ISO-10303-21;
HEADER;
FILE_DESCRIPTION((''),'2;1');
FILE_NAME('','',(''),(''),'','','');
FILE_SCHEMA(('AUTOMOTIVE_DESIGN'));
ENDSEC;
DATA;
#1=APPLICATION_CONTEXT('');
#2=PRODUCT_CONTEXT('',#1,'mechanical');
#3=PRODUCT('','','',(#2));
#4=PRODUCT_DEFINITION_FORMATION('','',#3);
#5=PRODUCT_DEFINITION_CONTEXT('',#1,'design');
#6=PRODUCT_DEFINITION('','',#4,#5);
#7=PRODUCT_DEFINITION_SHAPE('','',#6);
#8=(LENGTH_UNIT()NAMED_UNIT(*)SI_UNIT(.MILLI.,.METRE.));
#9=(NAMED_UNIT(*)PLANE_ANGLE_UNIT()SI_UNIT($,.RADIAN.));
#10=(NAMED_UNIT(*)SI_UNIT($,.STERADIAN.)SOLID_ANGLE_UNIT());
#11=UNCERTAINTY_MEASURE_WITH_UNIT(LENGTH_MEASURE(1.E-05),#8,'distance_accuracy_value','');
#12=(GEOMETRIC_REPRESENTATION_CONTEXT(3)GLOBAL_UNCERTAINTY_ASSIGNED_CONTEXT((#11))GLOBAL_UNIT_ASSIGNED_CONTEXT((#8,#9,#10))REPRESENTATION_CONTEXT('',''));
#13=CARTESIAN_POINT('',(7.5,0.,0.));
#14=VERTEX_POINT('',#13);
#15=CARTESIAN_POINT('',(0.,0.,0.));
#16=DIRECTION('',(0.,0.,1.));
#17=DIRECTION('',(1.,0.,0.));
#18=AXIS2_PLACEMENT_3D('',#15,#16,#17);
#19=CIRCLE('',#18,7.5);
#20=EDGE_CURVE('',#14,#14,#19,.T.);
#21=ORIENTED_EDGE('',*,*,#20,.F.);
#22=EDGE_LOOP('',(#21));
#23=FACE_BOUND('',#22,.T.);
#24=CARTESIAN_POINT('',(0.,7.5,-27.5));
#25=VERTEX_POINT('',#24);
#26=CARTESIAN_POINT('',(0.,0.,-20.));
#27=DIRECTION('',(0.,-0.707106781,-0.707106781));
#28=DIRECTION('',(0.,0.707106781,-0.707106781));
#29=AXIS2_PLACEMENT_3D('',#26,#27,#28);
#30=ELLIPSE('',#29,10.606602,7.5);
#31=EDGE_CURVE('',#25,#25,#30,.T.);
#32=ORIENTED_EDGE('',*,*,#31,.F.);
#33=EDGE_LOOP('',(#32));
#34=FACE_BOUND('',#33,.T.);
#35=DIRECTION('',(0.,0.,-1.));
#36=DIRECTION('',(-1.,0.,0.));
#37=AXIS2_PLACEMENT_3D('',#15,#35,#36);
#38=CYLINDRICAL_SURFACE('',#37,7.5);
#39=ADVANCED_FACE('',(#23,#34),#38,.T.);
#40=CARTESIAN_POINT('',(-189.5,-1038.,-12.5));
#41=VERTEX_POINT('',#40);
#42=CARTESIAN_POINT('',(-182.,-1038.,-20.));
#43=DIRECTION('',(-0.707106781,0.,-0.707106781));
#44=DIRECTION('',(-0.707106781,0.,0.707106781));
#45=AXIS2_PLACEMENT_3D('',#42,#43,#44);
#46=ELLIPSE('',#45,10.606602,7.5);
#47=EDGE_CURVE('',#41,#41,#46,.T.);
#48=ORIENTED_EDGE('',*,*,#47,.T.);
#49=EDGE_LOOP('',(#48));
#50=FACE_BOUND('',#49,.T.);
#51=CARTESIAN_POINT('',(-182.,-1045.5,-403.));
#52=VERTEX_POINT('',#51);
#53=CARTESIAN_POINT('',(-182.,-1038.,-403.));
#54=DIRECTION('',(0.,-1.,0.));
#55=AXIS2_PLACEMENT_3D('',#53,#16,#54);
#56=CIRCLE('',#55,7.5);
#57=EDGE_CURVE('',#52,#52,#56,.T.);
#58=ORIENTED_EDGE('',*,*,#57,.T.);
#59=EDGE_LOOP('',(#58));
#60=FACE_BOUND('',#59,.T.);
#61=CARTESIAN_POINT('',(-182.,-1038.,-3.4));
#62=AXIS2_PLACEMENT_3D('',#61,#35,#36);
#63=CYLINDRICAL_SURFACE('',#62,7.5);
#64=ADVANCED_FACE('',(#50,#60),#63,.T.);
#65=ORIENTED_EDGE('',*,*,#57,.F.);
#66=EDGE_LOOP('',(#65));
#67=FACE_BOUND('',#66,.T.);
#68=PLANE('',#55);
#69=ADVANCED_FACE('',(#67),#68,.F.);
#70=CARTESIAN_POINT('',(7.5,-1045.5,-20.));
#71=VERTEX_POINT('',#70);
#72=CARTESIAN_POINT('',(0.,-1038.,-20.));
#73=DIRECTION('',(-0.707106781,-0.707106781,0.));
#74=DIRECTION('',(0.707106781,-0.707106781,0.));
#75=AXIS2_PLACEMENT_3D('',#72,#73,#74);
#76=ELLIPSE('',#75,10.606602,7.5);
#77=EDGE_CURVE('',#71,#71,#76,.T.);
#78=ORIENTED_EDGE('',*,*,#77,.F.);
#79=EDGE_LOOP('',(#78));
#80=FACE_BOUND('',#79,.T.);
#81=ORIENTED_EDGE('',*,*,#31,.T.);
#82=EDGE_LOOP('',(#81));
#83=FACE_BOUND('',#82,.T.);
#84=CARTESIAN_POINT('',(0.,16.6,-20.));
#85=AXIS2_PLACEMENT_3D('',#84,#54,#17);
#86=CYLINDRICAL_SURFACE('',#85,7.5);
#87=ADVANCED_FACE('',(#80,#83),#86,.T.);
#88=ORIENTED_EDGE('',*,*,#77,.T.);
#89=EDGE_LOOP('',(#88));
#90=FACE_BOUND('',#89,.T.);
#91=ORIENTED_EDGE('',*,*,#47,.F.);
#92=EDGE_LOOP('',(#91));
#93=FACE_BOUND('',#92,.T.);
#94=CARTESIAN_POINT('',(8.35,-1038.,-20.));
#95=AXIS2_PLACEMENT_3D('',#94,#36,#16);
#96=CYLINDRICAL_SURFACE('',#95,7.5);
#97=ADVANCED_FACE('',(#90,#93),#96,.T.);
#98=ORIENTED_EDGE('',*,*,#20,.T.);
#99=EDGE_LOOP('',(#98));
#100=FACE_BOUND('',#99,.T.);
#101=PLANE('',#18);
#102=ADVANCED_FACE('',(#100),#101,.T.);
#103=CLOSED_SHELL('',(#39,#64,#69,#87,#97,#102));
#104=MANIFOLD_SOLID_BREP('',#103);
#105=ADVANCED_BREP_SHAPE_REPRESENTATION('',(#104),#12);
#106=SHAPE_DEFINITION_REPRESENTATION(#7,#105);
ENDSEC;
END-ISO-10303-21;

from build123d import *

# Parameters (mm, degrees)
ESQUISSE2_R = 7.5


with BuildPart() as part:
    # Balayage1: sweep along a curve in space
    with BuildLine() as balayage1_path:
        Line((0, 0, 0), (0, 0, -20))
        Line((0, 0, -20), (0, -1038, -20))
        Line((0, -1038, -20), (-182, -1038, -20))
        Line((-182, -1038, -20), (-182, -1038, -403))
    # Esquisse2 → Balayage1 (sweep)
    with BuildSketch(Plane.XY):
        Circle(ESQUISSE2_R)
    sweep(path=balayage1_path.line, transition=Transition.RIGHT)


solid = part.part
